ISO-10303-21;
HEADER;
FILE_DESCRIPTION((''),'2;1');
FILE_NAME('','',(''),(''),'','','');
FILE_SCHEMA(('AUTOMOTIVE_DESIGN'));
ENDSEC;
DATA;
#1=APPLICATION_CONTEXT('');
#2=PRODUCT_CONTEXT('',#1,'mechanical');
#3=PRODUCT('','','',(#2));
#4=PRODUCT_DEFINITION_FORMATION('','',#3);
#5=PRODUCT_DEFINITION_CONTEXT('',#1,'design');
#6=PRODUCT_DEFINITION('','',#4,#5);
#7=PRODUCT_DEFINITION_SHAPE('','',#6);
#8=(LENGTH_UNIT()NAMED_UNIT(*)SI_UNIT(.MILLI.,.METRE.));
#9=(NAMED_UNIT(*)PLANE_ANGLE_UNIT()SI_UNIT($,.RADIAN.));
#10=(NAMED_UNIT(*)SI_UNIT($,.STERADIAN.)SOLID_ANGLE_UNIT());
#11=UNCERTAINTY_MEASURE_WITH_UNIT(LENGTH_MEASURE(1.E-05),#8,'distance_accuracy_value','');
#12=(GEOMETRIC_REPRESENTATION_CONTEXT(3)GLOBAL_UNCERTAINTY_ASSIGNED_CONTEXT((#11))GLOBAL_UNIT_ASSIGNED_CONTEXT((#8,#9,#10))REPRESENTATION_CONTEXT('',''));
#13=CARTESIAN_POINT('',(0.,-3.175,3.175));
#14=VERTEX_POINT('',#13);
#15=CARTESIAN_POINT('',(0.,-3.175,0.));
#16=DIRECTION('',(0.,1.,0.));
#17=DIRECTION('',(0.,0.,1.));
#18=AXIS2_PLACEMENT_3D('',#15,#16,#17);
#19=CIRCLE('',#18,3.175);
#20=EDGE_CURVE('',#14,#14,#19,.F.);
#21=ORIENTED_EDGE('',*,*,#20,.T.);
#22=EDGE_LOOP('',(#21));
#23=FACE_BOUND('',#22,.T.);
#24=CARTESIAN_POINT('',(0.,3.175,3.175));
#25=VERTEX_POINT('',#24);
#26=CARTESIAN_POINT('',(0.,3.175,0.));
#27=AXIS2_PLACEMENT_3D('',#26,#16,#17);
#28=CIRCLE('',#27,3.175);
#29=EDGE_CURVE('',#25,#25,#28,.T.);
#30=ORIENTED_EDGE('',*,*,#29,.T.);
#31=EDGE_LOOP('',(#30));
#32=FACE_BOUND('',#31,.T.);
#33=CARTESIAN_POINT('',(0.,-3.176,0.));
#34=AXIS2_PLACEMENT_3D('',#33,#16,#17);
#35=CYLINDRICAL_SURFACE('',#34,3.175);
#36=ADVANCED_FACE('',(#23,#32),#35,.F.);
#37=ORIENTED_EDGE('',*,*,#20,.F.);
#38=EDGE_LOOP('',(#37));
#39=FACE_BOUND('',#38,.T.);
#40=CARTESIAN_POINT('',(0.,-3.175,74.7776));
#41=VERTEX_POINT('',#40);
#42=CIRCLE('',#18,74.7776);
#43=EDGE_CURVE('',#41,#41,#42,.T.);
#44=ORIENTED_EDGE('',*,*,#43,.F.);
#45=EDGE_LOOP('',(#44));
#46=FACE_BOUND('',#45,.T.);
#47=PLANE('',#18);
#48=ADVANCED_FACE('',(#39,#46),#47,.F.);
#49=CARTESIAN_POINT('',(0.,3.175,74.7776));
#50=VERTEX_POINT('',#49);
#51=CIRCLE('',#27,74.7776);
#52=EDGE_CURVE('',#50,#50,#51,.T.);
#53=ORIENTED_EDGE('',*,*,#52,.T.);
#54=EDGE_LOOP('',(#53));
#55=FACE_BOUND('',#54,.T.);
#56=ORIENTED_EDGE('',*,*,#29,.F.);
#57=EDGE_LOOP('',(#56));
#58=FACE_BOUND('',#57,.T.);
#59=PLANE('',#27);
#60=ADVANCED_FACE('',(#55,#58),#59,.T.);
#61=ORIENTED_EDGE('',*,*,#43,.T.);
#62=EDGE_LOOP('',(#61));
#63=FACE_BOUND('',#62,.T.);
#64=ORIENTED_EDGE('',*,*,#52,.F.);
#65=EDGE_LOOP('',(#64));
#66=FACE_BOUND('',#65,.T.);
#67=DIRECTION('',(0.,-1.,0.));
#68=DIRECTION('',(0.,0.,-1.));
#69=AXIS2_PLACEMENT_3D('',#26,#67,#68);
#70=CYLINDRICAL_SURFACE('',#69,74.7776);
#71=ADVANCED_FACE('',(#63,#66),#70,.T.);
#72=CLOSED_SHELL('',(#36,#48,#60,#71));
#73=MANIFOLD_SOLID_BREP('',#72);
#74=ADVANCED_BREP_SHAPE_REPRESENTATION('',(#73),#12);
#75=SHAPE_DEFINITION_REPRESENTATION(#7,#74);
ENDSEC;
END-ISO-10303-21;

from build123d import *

# Parameters (mm, degrees)
SKETCH2_R           = 74.7776
BOSS_EXTRUDE1_DEPTH = 3.175
CUT_EXTRUDE1_REACH  = 107.942
SKETCH3_R           = 3.175


with BuildPart() as part:
    # Sketch2 → Boss-Extrude1 (new, symmetric)
    with BuildSketch(Plane(origin=(0, 0, 0), x_dir=(1, 0, 0), z_dir=(0, 1, 0))):
        with Locations(Location((0, 0, 0), (0, 0, 270))):
            Circle(SKETCH2_R)
    extrude(amount=BOSS_EXTRUDE1_DEPTH, both=True)

    # Sketch3 → Cut-Extrude1 (cut, up to next)
    with BuildSketch(Plane(origin=(0, 3.175, 0), x_dir=(1, 0, 0), z_dir=(0, 1, 0)), mode=Mode.PRIVATE) as cut_extrude1_sk1:
        with Locations(Location((0, 0, 0), (0, 0, 270))):
            Circle(SKETCH3_R)
    cut_extrude1_tool1 = extrude(cut_extrude1_sk1.sketch, amount=-CUT_EXTRUDE1_REACH, mode=Mode.PRIVATE) & part.part
    add(cut_extrude1_tool1.solids().sort_by_distance((0, 3.175, 0))[0], mode=Mode.SUBTRACT)


solid = part.part
